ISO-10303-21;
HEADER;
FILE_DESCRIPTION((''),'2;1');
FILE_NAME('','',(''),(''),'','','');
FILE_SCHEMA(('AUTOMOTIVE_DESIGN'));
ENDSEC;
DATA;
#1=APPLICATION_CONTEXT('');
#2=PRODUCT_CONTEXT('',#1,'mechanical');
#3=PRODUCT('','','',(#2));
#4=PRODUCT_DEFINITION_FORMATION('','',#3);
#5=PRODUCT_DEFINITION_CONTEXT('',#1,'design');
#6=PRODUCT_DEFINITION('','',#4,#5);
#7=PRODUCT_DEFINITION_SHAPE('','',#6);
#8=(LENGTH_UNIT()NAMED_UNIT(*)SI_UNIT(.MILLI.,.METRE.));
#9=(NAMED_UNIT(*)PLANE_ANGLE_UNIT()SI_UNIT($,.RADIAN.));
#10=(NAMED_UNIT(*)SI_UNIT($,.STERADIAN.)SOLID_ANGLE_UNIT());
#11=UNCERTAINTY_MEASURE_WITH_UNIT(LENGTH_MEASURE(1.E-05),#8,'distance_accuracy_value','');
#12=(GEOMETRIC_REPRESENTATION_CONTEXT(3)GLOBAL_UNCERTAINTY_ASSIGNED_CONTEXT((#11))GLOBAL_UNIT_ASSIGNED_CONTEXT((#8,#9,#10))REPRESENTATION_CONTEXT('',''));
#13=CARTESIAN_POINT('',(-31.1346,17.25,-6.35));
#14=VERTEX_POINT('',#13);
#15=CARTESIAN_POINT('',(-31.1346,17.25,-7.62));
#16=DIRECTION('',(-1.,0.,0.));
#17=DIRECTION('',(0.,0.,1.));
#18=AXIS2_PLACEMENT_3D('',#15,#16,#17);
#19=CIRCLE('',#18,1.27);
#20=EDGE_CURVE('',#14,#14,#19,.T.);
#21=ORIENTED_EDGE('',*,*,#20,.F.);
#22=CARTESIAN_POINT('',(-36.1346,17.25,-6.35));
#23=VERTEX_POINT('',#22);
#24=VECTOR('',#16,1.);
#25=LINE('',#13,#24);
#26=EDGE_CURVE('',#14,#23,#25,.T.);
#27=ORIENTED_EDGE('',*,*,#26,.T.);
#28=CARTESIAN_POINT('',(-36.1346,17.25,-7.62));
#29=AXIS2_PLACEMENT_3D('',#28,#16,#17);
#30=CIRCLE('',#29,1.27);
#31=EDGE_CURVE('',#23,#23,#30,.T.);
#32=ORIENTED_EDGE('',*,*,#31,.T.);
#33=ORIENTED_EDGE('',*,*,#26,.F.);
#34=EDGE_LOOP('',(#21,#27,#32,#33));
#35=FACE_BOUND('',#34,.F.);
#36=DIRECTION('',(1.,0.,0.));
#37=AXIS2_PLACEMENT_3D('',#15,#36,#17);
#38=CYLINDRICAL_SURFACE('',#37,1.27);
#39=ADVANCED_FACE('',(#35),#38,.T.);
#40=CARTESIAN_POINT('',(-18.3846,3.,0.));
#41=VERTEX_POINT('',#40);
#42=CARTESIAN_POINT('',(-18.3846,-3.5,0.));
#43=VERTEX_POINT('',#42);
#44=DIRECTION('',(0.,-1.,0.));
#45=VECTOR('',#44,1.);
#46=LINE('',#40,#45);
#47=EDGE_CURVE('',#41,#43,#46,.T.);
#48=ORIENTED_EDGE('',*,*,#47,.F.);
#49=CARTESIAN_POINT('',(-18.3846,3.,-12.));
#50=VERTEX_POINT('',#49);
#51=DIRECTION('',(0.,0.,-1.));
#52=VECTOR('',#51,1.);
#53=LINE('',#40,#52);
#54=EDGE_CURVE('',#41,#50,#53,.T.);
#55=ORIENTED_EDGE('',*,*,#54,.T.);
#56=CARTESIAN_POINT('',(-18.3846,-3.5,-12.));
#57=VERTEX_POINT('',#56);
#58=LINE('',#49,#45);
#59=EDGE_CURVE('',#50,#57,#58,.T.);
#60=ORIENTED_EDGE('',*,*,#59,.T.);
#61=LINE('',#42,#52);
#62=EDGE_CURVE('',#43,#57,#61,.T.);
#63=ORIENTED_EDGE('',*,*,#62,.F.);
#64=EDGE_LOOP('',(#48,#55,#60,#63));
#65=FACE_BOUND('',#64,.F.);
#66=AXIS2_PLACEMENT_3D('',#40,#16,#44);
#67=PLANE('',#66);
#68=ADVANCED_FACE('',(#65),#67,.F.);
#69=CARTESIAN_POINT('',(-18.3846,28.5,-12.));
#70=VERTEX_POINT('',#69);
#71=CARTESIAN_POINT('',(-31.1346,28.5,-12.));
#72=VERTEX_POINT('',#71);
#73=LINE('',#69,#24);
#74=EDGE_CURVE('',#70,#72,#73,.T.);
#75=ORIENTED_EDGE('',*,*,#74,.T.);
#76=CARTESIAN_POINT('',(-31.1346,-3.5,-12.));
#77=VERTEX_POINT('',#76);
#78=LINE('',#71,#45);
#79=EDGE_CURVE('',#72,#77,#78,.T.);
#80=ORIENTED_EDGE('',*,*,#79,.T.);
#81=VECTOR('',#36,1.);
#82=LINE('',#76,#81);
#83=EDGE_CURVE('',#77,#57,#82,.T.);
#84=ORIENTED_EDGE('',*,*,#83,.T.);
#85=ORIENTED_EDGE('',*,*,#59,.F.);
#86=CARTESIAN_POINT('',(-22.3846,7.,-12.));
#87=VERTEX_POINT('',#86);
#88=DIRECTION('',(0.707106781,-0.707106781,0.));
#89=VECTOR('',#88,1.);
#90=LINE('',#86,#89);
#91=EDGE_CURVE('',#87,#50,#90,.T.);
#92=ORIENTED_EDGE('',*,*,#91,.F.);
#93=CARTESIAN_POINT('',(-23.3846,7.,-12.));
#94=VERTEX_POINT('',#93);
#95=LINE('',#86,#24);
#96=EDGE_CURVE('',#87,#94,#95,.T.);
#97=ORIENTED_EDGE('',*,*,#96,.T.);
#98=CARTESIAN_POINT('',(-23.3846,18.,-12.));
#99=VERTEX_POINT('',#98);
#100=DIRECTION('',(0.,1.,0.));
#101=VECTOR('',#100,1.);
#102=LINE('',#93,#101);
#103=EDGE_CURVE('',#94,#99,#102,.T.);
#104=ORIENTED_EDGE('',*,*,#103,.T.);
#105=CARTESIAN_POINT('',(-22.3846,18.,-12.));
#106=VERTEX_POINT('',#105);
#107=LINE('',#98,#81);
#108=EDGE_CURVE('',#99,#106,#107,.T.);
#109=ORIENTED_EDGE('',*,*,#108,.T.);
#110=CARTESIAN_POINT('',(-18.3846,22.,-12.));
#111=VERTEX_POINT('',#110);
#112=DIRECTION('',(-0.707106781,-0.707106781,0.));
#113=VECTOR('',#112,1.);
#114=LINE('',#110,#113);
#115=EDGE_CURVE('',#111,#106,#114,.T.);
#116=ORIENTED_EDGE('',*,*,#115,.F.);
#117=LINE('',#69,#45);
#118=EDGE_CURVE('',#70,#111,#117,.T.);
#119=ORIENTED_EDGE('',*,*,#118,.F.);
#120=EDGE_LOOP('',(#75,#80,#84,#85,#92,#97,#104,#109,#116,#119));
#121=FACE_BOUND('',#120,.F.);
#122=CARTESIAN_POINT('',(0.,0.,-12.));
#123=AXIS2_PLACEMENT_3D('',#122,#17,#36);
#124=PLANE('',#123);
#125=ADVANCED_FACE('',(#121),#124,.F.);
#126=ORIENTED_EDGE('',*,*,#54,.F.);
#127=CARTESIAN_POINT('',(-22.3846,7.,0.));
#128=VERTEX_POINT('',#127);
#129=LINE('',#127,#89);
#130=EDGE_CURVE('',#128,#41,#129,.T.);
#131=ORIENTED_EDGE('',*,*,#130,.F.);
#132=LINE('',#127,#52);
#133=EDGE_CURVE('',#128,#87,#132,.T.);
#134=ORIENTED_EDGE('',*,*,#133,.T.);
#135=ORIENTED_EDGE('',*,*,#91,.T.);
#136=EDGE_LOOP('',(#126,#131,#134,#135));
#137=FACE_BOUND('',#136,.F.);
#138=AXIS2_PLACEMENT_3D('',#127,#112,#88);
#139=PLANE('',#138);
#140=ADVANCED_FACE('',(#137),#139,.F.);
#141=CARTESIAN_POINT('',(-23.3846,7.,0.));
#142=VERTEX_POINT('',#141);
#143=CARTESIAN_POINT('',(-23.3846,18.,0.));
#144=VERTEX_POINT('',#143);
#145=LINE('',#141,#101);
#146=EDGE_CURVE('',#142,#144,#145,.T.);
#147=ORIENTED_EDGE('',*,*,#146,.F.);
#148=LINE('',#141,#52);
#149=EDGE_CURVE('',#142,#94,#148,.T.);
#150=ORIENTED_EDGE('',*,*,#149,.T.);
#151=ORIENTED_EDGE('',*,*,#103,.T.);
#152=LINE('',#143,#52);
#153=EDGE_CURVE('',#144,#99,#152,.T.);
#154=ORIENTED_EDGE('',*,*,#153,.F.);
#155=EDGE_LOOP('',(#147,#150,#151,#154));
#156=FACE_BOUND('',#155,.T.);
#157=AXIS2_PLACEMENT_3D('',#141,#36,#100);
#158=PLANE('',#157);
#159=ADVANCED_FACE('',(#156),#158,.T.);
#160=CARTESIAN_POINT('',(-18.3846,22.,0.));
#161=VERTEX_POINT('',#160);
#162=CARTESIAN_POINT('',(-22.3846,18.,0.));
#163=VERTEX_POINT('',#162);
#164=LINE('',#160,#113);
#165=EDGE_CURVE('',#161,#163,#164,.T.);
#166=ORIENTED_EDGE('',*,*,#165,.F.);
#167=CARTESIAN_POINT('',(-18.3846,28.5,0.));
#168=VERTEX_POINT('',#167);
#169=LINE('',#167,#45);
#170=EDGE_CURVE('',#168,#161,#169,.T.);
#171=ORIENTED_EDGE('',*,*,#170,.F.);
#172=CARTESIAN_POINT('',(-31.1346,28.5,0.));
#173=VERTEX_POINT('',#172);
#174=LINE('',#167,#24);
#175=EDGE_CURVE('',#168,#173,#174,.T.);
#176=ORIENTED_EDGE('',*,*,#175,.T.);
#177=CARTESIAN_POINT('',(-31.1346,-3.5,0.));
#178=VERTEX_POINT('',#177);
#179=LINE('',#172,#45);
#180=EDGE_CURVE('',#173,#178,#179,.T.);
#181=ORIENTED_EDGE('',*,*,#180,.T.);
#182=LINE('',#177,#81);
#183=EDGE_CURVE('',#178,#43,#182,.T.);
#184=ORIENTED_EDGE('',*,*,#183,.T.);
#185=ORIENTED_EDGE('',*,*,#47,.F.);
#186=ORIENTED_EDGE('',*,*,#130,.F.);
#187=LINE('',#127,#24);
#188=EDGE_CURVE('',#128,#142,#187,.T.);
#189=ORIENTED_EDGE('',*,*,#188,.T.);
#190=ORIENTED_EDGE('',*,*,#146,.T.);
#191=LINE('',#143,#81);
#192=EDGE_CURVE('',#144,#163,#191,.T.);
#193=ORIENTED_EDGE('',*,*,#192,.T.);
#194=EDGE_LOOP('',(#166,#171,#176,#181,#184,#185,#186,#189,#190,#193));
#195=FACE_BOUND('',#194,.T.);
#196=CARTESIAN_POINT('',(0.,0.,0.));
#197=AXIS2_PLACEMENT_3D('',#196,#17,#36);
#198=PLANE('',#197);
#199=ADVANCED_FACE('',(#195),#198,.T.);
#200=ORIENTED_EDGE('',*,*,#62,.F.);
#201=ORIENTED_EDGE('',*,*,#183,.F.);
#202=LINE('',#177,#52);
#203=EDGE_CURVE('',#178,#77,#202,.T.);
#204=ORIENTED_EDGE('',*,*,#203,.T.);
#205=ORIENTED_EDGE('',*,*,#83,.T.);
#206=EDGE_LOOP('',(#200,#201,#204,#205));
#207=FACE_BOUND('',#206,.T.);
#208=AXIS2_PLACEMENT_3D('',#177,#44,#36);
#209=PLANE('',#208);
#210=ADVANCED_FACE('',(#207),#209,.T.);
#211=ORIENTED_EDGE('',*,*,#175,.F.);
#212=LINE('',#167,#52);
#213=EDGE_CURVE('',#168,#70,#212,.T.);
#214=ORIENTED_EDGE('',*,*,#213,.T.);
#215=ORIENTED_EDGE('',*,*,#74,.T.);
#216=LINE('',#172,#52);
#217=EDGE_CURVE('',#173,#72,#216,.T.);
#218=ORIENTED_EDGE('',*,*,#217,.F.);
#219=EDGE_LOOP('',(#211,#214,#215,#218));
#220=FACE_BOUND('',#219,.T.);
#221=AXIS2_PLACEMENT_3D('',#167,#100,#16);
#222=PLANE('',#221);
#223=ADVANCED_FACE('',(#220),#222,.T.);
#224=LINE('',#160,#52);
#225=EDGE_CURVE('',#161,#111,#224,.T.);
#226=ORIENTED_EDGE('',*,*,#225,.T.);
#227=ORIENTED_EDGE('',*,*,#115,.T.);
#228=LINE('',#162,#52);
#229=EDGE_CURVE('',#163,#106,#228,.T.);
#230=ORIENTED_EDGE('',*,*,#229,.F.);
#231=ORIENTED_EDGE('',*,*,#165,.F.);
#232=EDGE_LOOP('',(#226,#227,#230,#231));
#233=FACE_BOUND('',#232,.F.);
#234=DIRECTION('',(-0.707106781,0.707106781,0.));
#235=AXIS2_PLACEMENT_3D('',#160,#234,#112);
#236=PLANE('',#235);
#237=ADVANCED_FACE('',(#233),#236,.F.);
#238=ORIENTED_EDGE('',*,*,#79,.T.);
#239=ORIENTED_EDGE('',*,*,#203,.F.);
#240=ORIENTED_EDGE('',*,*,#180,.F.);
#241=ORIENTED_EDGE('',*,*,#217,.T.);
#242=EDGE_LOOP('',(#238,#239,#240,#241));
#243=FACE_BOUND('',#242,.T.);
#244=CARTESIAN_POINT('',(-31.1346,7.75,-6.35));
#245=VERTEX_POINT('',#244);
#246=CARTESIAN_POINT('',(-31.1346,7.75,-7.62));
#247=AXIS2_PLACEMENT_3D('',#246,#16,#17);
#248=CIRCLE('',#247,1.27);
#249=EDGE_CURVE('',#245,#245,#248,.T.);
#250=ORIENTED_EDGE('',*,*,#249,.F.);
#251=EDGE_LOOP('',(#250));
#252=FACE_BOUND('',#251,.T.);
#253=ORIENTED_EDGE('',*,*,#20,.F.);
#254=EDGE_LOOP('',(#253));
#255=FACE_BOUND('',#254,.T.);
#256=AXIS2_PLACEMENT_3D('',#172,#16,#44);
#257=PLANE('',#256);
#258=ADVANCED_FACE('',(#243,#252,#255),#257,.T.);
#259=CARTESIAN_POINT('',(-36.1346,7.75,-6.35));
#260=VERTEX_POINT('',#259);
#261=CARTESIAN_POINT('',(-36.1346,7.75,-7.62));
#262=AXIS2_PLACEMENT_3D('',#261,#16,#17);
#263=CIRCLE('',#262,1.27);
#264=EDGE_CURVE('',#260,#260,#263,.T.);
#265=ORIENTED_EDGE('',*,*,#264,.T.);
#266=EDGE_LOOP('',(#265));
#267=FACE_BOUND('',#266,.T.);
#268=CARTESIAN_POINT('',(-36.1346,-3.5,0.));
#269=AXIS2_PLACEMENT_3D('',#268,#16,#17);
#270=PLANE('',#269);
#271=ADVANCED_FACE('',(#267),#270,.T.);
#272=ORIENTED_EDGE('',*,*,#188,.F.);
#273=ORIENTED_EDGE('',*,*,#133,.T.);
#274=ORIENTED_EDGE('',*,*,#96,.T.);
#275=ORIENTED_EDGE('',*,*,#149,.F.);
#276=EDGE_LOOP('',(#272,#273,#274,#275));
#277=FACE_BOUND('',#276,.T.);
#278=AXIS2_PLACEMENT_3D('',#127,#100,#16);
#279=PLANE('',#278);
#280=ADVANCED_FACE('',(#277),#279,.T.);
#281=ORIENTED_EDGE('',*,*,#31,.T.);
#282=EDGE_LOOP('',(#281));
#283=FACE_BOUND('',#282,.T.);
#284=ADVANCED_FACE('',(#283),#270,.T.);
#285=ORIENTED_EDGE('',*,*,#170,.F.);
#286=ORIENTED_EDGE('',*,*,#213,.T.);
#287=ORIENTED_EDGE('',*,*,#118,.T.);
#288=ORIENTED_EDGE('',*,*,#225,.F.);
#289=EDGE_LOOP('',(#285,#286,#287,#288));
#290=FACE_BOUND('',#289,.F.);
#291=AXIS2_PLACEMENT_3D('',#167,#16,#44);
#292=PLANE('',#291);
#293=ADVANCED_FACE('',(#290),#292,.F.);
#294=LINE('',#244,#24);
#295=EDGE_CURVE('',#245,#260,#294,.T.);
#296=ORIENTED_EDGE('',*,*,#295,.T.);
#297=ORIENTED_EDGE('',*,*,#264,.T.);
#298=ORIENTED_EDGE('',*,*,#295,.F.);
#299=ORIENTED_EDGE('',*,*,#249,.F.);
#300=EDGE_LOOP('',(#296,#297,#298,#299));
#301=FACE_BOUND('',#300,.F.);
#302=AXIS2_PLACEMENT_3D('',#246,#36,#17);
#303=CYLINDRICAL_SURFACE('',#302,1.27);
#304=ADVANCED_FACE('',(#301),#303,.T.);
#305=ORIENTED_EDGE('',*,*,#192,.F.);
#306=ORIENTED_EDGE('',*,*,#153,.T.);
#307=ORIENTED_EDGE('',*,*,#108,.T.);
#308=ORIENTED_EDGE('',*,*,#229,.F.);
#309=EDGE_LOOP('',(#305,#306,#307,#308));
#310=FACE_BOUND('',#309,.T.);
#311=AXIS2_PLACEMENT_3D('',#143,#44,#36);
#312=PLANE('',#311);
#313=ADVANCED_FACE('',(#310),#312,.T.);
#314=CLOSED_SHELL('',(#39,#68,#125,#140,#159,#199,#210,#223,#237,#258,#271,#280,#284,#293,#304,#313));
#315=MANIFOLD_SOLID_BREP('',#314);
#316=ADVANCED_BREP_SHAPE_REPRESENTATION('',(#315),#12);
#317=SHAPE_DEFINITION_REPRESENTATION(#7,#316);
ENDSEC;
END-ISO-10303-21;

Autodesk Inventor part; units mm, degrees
ref_plane "YZ Plane" through (0, 0, 0) normal (1, 0, 0) x (0, 1, 0)
ref_plane "XZ Plane" through (0, 0, 0) normal (0, 1, 0) x (-1, 0, 0)
ref_plane "XY Plane" through (0, 0, 0) normal (0, 0, 1) x (1, 0, 0)
sketch "Sketch1" plane through (0, 0, 0) normal (0, 0, 1) x (1, 0, 0)
  line L0 (-18.3846, 28.5) -> (-18.3846, 22)
  line L1 (-18.3846, 22) -> (-22.3846, 18)
  line L2 (-22.3846, 18) -> (-22.3846, 7)
  line L3 (-22.3846, 7) -> (-18.3846, 3)
  line L4 (-18.3846, 3) -> (-18.3846, -3.5)
  line L5 (-18.3846, 28.5) -> (-31.1346, 28.5)
  line L6 (-31.1346, 28.5) -> (-31.1346, -3.5)
  line L7 (-31.1346, -3.5) -> (-18.3846, -3.5)
  line L8 (-22.3846, 7) -> (-23.3846, 7)
  line L9 (-23.3846, 7) -> (-23.3846, 18)
  line L10 (-23.3846, 18) -> (-22.3846, 18)
  line L11 (-31.1346, 11.0301) -> (-37.4846, 11.0301) construction
  point P0 (0, 0)
  dimension "d0" = 1
  dimension "d1" = 6.35
  dimension "d2" = 8.75
  dimension "d13" = 135
  dimension "d14" = 135
  dimension "d15" = 11
  dimension "d16" = 12.75
  dimension "d17" = 32
extrude "Extrusion1" add sketch "Sketch1" against normal blind 12 contours L0 L1 L10 L9 L8 L3 L4 L7 L6 L5
sketch "Sketch3" plane through (-31.1346, -3.5, 0) normal (-1, 0, 0) x (0, 0, 1)
  line L0 (0, 32) -> (0, 0) projected
  line L1 (0, 32) -> (-12, 32) projected
  line L2 (-12, 0) -> (-12, 32) projected
  line L3 (0, 0) -> (-12, 0) projected
  circle A0 centre (-7.62, 11.25) radius 1.27
  circle A1 centre (-7.62, 20.75) radius 1.27
  line L4 (-12, 21.5) -> (-12, 10.5) construction
  line L5 (-12, 16) -> (0, 16) construction
  point P0 (0, 3.5)
  dimension "d8" = 2.54
  dimension "d9" = 9.5
  dimension "d10" = 7.62
extrude "Extrusion3" add sketch "Sketch3" along normal blind 5 contours A0 | A1
properties part number "Limit Adapter"
